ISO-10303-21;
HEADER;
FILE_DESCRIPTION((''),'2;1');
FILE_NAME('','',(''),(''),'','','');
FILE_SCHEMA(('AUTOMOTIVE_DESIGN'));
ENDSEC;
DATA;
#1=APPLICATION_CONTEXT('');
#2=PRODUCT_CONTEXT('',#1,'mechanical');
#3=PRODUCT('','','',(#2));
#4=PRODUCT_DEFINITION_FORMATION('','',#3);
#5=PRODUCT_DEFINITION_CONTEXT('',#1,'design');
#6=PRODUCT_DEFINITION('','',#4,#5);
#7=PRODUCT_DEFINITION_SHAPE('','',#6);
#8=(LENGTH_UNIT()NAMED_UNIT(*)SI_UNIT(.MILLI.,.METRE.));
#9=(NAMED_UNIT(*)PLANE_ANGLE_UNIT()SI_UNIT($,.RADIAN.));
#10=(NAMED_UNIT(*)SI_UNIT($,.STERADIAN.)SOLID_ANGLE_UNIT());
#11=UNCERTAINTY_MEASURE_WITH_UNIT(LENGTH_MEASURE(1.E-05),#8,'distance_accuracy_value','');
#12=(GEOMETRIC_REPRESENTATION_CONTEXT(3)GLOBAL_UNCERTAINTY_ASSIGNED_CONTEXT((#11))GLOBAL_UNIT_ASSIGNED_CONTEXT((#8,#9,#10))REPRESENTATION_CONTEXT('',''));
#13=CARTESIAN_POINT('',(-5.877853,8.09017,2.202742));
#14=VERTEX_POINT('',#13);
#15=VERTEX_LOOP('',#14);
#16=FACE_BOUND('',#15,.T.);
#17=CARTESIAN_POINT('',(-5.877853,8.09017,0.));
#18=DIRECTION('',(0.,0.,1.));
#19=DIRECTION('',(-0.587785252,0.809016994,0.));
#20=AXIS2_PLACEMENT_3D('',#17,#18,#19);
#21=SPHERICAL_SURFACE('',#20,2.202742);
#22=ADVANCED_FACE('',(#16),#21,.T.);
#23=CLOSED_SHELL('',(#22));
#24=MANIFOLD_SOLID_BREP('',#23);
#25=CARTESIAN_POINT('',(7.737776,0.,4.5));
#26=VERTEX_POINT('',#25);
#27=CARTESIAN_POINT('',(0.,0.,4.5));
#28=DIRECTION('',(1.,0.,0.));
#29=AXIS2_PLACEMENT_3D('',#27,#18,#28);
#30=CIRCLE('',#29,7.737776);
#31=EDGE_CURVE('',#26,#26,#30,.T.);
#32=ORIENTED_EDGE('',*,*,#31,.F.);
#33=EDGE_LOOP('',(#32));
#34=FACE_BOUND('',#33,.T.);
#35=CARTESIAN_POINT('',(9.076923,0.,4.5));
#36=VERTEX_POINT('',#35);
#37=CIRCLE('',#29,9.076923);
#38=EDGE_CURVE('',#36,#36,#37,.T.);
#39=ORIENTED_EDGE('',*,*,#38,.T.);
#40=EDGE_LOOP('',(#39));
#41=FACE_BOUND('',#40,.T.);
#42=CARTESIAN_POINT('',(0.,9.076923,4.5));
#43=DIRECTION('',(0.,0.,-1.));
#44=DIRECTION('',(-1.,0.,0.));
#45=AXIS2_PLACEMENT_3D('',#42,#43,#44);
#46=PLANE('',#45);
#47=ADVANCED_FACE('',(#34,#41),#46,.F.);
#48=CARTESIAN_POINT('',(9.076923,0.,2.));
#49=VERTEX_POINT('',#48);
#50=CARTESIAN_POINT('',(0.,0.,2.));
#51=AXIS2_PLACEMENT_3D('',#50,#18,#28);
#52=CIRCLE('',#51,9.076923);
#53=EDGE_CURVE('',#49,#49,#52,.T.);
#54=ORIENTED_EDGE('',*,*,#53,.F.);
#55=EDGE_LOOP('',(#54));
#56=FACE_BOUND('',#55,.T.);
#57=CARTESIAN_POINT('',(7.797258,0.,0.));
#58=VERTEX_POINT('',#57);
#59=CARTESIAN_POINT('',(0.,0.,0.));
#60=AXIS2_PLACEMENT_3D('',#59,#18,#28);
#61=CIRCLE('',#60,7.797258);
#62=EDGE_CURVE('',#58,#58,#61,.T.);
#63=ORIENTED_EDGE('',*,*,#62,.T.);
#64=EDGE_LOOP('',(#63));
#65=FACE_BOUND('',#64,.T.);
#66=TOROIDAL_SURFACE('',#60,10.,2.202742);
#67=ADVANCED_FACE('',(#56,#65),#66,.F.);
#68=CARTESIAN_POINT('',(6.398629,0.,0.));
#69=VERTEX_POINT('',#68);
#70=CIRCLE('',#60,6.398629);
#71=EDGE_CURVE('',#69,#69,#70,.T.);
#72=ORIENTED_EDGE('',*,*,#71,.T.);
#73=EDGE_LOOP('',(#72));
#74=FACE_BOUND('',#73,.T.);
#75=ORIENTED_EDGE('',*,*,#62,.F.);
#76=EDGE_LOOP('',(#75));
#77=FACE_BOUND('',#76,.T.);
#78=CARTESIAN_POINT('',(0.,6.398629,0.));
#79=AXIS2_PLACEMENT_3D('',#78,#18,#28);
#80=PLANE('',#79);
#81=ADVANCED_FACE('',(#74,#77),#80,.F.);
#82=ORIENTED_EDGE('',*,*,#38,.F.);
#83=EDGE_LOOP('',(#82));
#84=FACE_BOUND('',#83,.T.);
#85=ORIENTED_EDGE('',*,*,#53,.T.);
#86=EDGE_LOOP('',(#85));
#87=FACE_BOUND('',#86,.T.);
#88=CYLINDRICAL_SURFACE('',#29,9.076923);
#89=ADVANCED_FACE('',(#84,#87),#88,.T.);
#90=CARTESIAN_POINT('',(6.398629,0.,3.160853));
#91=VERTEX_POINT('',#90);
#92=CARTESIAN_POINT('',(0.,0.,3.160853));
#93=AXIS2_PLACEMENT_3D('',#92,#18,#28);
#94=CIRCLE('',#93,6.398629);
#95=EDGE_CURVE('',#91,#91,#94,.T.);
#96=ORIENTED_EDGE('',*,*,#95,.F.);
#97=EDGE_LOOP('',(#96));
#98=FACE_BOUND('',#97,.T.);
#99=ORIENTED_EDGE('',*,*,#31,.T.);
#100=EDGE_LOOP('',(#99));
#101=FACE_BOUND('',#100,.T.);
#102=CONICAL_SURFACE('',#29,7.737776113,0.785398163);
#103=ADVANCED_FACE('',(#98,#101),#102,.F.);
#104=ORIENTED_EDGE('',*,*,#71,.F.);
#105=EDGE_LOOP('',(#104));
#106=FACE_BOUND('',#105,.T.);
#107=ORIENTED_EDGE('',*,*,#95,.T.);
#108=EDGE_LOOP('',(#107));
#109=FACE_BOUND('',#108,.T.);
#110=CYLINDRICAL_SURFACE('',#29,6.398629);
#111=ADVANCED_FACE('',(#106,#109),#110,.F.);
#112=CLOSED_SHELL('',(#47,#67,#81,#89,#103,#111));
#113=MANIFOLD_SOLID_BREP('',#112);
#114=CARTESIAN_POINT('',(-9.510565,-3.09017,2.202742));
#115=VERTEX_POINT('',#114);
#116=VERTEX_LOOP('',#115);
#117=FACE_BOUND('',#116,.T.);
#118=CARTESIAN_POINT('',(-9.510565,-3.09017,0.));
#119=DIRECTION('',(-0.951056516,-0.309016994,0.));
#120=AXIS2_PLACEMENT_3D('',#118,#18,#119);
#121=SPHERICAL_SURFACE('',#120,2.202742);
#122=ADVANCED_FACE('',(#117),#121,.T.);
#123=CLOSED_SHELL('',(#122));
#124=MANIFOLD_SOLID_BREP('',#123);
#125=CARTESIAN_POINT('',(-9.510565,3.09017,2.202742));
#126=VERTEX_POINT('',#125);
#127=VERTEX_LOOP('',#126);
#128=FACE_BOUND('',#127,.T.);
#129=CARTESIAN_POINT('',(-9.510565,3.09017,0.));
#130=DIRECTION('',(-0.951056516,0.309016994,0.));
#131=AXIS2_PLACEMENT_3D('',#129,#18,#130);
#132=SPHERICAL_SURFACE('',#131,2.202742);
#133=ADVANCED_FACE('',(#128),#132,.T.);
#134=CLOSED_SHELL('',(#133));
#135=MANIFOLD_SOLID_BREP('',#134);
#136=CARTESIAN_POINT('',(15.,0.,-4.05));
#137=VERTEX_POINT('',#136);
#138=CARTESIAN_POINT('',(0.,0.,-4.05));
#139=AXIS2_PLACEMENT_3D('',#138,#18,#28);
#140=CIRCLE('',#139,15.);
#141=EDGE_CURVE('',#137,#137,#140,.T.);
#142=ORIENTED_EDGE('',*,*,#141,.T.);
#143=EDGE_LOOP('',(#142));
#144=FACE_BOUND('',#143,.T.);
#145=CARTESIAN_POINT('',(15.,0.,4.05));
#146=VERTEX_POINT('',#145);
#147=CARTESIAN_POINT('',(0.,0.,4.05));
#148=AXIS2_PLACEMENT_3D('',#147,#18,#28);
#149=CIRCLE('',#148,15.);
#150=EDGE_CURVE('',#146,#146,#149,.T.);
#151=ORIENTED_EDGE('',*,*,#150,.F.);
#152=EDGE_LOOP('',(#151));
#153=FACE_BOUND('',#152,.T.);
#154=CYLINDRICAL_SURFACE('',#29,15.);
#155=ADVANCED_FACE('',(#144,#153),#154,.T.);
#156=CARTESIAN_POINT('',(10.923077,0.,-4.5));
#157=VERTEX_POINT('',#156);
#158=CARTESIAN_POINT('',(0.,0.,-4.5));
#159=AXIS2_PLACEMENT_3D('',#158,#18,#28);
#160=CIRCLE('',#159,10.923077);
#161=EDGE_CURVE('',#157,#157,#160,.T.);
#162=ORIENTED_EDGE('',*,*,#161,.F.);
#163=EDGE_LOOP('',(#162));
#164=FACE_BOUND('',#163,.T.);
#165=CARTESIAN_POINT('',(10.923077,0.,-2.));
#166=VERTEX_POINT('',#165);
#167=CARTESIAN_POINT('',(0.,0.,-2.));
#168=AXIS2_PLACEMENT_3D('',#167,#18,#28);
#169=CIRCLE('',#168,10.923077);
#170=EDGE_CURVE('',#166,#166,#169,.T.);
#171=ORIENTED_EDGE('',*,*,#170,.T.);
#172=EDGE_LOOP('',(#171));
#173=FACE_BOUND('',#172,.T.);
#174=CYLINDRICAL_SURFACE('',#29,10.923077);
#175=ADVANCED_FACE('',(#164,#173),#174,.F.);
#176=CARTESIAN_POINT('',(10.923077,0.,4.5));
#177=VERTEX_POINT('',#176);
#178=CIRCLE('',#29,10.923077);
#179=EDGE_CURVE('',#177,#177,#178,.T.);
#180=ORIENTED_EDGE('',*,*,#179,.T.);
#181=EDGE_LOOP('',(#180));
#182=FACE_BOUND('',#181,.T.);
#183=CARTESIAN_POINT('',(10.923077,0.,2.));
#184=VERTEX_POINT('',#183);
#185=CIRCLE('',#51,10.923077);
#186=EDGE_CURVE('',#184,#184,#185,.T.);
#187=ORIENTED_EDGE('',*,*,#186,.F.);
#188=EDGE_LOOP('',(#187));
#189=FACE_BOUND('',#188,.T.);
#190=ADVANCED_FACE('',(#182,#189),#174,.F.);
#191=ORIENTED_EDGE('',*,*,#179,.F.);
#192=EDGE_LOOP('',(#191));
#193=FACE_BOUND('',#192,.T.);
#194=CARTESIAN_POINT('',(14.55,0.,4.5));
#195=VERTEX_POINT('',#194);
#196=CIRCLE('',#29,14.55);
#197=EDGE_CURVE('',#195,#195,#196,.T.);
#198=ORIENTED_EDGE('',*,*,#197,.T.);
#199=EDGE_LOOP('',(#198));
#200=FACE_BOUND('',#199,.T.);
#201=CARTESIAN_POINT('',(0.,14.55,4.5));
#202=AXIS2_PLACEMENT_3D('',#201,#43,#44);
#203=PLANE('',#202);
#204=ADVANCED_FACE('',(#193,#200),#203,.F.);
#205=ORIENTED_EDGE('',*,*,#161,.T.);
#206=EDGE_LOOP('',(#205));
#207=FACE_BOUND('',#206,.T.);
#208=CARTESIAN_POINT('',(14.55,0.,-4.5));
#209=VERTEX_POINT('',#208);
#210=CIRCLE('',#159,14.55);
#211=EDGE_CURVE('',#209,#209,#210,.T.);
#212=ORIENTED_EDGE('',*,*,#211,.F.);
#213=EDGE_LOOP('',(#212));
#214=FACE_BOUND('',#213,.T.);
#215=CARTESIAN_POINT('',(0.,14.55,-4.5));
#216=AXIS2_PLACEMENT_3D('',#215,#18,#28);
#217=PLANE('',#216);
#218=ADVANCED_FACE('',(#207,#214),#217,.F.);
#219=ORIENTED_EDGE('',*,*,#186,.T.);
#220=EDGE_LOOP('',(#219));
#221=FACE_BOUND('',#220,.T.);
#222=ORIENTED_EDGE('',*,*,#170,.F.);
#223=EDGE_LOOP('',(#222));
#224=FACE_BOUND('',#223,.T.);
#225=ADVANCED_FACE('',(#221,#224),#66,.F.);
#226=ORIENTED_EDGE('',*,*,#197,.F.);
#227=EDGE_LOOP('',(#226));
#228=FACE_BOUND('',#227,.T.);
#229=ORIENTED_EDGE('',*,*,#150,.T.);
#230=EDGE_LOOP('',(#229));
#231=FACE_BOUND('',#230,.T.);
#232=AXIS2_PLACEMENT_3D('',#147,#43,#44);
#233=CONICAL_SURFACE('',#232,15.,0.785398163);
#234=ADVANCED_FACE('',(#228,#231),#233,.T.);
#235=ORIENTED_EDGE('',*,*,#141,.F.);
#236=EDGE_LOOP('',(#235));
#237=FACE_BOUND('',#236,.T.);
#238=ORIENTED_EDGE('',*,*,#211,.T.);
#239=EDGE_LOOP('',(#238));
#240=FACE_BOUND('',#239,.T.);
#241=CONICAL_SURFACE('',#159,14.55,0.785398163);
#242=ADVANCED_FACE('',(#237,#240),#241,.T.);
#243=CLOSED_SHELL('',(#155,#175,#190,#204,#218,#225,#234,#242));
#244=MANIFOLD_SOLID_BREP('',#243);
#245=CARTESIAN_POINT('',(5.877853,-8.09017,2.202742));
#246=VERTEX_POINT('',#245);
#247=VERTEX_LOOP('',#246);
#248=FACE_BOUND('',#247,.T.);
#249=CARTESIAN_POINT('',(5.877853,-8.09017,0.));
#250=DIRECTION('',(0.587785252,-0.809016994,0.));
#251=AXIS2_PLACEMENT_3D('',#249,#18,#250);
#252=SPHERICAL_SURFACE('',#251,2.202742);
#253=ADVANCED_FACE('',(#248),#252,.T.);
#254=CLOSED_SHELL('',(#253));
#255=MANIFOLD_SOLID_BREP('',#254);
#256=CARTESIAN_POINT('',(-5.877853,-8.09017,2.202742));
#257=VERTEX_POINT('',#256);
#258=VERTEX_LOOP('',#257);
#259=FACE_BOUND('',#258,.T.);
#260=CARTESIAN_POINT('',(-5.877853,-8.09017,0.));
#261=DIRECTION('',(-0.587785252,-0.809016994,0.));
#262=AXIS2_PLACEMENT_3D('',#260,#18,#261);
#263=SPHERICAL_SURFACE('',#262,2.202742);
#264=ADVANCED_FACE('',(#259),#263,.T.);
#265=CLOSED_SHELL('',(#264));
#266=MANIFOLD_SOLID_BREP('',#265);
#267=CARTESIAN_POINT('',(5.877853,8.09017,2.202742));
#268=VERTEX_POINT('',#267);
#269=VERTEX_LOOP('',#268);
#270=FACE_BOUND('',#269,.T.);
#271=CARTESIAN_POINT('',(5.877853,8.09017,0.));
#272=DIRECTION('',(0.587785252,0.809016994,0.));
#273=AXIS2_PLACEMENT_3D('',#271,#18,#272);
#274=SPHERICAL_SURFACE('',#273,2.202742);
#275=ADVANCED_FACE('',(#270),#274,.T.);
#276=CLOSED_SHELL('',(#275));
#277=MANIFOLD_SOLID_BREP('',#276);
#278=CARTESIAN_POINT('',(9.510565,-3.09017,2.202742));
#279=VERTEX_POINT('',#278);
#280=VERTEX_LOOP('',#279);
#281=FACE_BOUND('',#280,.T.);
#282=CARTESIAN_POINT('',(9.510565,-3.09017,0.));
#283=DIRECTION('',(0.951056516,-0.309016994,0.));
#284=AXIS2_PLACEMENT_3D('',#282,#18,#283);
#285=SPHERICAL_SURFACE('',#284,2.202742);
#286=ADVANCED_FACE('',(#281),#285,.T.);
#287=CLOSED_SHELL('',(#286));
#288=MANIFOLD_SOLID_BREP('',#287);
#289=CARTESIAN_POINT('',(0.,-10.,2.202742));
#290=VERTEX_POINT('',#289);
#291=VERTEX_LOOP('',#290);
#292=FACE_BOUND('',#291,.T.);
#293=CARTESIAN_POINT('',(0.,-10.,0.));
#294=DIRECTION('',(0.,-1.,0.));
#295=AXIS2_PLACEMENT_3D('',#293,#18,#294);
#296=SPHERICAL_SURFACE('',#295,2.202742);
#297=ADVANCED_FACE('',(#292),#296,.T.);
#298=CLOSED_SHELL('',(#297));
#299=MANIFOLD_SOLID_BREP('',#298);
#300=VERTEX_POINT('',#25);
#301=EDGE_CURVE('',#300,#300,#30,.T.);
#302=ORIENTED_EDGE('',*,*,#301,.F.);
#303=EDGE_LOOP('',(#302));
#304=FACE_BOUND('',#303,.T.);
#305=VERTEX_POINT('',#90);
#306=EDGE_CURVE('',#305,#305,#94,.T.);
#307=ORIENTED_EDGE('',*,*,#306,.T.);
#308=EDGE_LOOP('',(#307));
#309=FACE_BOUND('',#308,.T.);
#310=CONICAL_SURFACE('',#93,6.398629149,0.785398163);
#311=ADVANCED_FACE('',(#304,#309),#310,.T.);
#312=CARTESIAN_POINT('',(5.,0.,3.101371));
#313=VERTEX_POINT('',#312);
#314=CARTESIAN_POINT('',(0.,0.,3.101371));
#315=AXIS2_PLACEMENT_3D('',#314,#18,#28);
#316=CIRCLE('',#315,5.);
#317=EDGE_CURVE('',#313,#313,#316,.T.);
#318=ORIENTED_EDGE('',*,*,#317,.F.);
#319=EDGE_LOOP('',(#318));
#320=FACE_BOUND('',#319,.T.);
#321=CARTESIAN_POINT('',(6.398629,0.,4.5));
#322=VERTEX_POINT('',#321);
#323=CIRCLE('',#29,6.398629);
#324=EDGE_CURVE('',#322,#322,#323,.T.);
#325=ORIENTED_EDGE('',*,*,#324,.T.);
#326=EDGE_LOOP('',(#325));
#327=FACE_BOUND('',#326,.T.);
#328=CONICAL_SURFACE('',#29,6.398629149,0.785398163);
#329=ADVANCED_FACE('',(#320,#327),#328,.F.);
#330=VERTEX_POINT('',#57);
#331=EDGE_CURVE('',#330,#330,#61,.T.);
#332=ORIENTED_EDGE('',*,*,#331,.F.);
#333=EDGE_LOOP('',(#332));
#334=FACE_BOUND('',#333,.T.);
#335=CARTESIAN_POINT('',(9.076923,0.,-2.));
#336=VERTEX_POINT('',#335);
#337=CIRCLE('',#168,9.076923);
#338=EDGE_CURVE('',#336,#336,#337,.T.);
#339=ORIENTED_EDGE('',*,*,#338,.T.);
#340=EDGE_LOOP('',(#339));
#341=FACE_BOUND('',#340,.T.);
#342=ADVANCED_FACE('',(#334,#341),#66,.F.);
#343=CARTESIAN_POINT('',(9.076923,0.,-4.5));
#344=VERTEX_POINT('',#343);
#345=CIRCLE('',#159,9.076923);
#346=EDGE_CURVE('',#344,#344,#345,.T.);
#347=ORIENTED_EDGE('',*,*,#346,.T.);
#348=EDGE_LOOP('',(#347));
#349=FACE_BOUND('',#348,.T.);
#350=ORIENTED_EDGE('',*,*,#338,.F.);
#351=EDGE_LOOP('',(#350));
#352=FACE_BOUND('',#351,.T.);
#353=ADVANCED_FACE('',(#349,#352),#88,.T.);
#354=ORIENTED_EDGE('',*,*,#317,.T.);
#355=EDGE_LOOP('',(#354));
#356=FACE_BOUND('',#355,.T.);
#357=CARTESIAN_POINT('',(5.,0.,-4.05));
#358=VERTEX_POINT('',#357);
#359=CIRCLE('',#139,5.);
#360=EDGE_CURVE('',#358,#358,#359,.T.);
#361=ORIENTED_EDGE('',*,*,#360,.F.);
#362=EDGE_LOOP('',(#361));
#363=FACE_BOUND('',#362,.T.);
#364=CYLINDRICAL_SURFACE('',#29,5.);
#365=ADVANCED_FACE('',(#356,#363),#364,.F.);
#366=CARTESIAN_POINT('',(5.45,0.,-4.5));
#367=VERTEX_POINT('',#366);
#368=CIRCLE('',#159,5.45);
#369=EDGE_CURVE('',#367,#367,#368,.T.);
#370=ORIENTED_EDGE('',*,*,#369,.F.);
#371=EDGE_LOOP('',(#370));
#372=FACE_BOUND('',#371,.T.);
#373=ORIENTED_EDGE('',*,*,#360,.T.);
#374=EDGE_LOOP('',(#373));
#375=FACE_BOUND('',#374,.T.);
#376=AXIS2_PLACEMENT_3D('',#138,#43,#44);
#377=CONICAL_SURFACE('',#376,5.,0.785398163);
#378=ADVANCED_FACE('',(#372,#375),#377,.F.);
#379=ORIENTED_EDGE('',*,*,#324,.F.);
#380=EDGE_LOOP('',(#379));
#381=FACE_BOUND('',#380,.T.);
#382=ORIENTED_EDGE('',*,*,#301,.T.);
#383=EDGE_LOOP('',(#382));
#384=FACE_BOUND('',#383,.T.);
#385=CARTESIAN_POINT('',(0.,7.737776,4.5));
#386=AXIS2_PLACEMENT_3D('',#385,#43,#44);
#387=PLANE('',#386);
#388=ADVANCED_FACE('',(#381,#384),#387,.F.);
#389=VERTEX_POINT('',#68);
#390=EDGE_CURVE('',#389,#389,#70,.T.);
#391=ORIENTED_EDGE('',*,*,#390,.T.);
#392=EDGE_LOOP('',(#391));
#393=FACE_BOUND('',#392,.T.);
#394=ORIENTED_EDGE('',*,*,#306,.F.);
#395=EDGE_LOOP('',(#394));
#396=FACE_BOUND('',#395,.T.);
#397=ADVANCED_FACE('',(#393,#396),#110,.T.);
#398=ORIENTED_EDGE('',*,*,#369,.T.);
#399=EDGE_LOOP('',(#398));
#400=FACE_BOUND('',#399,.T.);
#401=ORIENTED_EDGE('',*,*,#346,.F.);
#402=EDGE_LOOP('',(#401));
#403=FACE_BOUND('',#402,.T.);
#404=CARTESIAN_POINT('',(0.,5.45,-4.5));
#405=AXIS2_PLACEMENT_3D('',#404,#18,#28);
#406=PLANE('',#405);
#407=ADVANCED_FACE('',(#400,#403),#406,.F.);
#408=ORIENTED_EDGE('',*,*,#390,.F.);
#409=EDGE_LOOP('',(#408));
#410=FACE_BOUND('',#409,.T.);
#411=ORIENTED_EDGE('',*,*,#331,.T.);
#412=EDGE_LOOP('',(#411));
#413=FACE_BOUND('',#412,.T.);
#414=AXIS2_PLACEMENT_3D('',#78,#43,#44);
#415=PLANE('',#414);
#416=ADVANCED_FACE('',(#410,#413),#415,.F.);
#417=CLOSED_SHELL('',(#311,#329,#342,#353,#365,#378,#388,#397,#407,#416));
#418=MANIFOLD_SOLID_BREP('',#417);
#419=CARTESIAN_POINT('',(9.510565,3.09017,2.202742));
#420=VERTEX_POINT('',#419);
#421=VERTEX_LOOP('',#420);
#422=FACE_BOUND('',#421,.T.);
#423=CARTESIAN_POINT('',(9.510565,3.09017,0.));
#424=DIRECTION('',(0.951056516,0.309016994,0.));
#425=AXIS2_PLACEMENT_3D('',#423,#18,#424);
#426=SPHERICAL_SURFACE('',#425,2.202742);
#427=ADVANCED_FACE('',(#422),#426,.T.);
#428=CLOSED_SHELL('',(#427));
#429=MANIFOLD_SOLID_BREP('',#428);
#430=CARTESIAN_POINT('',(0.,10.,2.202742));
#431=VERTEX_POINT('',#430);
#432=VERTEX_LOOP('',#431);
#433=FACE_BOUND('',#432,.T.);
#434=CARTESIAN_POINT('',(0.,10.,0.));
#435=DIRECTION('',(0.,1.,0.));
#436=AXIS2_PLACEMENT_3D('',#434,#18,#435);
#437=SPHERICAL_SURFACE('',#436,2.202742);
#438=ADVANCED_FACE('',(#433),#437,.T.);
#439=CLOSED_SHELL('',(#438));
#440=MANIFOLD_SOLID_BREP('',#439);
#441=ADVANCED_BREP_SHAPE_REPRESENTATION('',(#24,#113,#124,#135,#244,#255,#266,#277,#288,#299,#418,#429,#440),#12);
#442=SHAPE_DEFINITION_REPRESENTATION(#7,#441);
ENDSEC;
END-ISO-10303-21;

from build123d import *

# Parameters (mm, degrees)
CIRPATTERN1_COUNT = 10


with BuildPart() as part:
    # Sketch1 → Revolve1 (revolve)
    with BuildSketch(Plane(origin=(0, 0, 0), x_dir=(0, 0, -1), z_dir=(1, 0, 0))):
        with BuildLine():
            Line((4.05, 15), (-4.05, 15))
            Line((-4.05, 15), (-4.5, 14.55))
            Line((-4.5, 14.55), (-4.5, 10.923076923))
            Line((-4.5, 10.923076923), (-2, 10.923076923))
            ThreePointArc((-2, 10.923076923), (0, 12.202741702), (2, 10.923076923))
            Line((2, 10.923076923), (4.5, 10.923076923))
            Line((4.5, 10.923076923), (4.5, 14.55))
            Line((4.5, 14.55), (4.05, 15))
        make_face()
    revolve(axis=Axis((0, 0, 4.5), (0, 0, -1)))


with BuildPart() as body_2:
    # Sketch2 → Revolve2 (revolve)
    with BuildSketch(Plane(origin=(0, 0, 0), x_dir=(0, 0, -1), z_dir=(1, 0, 0))):
        with BuildLine():
            Line((-4.5, 9.076923077), (-2, 9.076923077))
            ThreePointArc((-2, 9.076923077), (-1.187175424, 8.144552475), (0, 7.797258298))
            Line((0, 7.797258298), (0, 6.398629149))
            Line((0, 6.398629149), (-3.160853036, 6.398629149))
            Line((-3.160853036, 6.398629149), (-4.5, 7.737776113))
            Line((-4.5, 7.737776113), (-4.5, 9.076923077))
        make_face()
    revolve(axis=Axis((0, 0, 4.5), (0, 0, -1)))


with BuildPart() as body_3:
    # Sketch3 → Revolve3 (revolve)
    with BuildSketch(Plane(origin=(0, 0, 0), x_dir=(0, 0, -1), z_dir=(1, 0, 0))):
        with BuildLine():
            Line((-4.5, 7.737776113), (-3.160853036, 6.398629149))
            Line((-3.160853036, 6.398629149), (0, 6.398629149))
            Line((0, 6.398629149), (0, 7.797258298))
            ThreePointArc((0, 7.797258298), (1.187175424, 8.144552475), (2, 9.076923077))
            Line((2, 9.076923077), (4.5, 9.076923077))
            Line((4.5, 9.076923077), (4.5, 5.45))
            Line((4.5, 5.45), (4.05, 5))
            Line((4.05, 5), (-3.101370851, 5))
            Line((-3.101370851, 5), (-4.5, 6.398629149))
            Line((-4.5, 6.398629149), (-4.5, 7.737776113))
        make_face()
    revolve(axis=Axis((0, 0, 4.5), (0, 0, -1)))


with BuildPart() as body_4:
    # Sketch4 → Revolve4 (revolve)
    with BuildSketch(Plane(origin=(0, 0, 0), x_dir=(0, 0, -1), z_dir=(1, 0, 0))):
        with BuildLine():
            Line((-2.202741702, 10), (2.202741702, 10))
            ThreePointArc((2.202741702, 10), (0, 12.202741702), (-2.202741702, 10))
        make_face()
    revolve(axis=Axis((0, 10, 2.202741702), (0, 0, -1)))


with BuildPart() as cirpattern1_1:
    # CirPattern1: pattern copy
    add(body_4.part.rotate(Axis((0, 0, -4.5), (0, 0, 1)), 1 * 360 / CIRPATTERN1_COUNT))


with BuildPart() as cirpattern1_2:
    # CirPattern1: pattern copy
    add(body_4.part.rotate(Axis((0, 0, -4.5), (0, 0, 1)), 2 * 360 / CIRPATTERN1_COUNT))


with BuildPart() as cirpattern1_3:
    # CirPattern1: pattern copy
    add(body_4.part.rotate(Axis((0, 0, -4.5), (0, 0, 1)), 3 * 360 / CIRPATTERN1_COUNT))


with BuildPart() as cirpattern1_4:
    # CirPattern1: pattern copy
    add(body_4.part.rotate(Axis((0, 0, -4.5), (0, 0, 1)), 4 * 360 / CIRPATTERN1_COUNT))


with BuildPart() as cirpattern1_5:
    # CirPattern1: pattern copy
    add(body_4.part.rotate(Axis((0, 0, -4.5), (0, 0, 1)), 5 * 360 / CIRPATTERN1_COUNT))


with BuildPart() as cirpattern1_6:
    # CirPattern1: pattern copy
    add(body_4.part.rotate(Axis((0, 0, -4.5), (0, 0, 1)), 6 * 360 / CIRPATTERN1_COUNT))


with BuildPart() as cirpattern1_7:
    # CirPattern1: pattern copy
    add(body_4.part.rotate(Axis((0, 0, -4.5), (0, 0, 1)), 7 * 360 / CIRPATTERN1_COUNT))


with BuildPart() as cirpattern1_8:
    # CirPattern1: pattern copy
    add(body_4.part.rotate(Axis((0, 0, -4.5), (0, 0, 1)), 8 * 360 / CIRPATTERN1_COUNT))


with BuildPart() as cirpattern1_9:
    # CirPattern1: pattern copy
    add(body_4.part.rotate(Axis((0, 0, -4.5), (0, 0, 1)), 9 * 360 / CIRPATTERN1_COUNT))


solid = Compound([part.part, body_2.part, body_3.part, body_4.part, cirpattern1_1.part, cirpattern1_2.part, cirpattern1_3.part, cirpattern1_4.part, cirpattern1_5.part, cirpattern1_6.part, cirpattern1_7.part, cirpattern1_8.part, cirpattern1_9.part])
